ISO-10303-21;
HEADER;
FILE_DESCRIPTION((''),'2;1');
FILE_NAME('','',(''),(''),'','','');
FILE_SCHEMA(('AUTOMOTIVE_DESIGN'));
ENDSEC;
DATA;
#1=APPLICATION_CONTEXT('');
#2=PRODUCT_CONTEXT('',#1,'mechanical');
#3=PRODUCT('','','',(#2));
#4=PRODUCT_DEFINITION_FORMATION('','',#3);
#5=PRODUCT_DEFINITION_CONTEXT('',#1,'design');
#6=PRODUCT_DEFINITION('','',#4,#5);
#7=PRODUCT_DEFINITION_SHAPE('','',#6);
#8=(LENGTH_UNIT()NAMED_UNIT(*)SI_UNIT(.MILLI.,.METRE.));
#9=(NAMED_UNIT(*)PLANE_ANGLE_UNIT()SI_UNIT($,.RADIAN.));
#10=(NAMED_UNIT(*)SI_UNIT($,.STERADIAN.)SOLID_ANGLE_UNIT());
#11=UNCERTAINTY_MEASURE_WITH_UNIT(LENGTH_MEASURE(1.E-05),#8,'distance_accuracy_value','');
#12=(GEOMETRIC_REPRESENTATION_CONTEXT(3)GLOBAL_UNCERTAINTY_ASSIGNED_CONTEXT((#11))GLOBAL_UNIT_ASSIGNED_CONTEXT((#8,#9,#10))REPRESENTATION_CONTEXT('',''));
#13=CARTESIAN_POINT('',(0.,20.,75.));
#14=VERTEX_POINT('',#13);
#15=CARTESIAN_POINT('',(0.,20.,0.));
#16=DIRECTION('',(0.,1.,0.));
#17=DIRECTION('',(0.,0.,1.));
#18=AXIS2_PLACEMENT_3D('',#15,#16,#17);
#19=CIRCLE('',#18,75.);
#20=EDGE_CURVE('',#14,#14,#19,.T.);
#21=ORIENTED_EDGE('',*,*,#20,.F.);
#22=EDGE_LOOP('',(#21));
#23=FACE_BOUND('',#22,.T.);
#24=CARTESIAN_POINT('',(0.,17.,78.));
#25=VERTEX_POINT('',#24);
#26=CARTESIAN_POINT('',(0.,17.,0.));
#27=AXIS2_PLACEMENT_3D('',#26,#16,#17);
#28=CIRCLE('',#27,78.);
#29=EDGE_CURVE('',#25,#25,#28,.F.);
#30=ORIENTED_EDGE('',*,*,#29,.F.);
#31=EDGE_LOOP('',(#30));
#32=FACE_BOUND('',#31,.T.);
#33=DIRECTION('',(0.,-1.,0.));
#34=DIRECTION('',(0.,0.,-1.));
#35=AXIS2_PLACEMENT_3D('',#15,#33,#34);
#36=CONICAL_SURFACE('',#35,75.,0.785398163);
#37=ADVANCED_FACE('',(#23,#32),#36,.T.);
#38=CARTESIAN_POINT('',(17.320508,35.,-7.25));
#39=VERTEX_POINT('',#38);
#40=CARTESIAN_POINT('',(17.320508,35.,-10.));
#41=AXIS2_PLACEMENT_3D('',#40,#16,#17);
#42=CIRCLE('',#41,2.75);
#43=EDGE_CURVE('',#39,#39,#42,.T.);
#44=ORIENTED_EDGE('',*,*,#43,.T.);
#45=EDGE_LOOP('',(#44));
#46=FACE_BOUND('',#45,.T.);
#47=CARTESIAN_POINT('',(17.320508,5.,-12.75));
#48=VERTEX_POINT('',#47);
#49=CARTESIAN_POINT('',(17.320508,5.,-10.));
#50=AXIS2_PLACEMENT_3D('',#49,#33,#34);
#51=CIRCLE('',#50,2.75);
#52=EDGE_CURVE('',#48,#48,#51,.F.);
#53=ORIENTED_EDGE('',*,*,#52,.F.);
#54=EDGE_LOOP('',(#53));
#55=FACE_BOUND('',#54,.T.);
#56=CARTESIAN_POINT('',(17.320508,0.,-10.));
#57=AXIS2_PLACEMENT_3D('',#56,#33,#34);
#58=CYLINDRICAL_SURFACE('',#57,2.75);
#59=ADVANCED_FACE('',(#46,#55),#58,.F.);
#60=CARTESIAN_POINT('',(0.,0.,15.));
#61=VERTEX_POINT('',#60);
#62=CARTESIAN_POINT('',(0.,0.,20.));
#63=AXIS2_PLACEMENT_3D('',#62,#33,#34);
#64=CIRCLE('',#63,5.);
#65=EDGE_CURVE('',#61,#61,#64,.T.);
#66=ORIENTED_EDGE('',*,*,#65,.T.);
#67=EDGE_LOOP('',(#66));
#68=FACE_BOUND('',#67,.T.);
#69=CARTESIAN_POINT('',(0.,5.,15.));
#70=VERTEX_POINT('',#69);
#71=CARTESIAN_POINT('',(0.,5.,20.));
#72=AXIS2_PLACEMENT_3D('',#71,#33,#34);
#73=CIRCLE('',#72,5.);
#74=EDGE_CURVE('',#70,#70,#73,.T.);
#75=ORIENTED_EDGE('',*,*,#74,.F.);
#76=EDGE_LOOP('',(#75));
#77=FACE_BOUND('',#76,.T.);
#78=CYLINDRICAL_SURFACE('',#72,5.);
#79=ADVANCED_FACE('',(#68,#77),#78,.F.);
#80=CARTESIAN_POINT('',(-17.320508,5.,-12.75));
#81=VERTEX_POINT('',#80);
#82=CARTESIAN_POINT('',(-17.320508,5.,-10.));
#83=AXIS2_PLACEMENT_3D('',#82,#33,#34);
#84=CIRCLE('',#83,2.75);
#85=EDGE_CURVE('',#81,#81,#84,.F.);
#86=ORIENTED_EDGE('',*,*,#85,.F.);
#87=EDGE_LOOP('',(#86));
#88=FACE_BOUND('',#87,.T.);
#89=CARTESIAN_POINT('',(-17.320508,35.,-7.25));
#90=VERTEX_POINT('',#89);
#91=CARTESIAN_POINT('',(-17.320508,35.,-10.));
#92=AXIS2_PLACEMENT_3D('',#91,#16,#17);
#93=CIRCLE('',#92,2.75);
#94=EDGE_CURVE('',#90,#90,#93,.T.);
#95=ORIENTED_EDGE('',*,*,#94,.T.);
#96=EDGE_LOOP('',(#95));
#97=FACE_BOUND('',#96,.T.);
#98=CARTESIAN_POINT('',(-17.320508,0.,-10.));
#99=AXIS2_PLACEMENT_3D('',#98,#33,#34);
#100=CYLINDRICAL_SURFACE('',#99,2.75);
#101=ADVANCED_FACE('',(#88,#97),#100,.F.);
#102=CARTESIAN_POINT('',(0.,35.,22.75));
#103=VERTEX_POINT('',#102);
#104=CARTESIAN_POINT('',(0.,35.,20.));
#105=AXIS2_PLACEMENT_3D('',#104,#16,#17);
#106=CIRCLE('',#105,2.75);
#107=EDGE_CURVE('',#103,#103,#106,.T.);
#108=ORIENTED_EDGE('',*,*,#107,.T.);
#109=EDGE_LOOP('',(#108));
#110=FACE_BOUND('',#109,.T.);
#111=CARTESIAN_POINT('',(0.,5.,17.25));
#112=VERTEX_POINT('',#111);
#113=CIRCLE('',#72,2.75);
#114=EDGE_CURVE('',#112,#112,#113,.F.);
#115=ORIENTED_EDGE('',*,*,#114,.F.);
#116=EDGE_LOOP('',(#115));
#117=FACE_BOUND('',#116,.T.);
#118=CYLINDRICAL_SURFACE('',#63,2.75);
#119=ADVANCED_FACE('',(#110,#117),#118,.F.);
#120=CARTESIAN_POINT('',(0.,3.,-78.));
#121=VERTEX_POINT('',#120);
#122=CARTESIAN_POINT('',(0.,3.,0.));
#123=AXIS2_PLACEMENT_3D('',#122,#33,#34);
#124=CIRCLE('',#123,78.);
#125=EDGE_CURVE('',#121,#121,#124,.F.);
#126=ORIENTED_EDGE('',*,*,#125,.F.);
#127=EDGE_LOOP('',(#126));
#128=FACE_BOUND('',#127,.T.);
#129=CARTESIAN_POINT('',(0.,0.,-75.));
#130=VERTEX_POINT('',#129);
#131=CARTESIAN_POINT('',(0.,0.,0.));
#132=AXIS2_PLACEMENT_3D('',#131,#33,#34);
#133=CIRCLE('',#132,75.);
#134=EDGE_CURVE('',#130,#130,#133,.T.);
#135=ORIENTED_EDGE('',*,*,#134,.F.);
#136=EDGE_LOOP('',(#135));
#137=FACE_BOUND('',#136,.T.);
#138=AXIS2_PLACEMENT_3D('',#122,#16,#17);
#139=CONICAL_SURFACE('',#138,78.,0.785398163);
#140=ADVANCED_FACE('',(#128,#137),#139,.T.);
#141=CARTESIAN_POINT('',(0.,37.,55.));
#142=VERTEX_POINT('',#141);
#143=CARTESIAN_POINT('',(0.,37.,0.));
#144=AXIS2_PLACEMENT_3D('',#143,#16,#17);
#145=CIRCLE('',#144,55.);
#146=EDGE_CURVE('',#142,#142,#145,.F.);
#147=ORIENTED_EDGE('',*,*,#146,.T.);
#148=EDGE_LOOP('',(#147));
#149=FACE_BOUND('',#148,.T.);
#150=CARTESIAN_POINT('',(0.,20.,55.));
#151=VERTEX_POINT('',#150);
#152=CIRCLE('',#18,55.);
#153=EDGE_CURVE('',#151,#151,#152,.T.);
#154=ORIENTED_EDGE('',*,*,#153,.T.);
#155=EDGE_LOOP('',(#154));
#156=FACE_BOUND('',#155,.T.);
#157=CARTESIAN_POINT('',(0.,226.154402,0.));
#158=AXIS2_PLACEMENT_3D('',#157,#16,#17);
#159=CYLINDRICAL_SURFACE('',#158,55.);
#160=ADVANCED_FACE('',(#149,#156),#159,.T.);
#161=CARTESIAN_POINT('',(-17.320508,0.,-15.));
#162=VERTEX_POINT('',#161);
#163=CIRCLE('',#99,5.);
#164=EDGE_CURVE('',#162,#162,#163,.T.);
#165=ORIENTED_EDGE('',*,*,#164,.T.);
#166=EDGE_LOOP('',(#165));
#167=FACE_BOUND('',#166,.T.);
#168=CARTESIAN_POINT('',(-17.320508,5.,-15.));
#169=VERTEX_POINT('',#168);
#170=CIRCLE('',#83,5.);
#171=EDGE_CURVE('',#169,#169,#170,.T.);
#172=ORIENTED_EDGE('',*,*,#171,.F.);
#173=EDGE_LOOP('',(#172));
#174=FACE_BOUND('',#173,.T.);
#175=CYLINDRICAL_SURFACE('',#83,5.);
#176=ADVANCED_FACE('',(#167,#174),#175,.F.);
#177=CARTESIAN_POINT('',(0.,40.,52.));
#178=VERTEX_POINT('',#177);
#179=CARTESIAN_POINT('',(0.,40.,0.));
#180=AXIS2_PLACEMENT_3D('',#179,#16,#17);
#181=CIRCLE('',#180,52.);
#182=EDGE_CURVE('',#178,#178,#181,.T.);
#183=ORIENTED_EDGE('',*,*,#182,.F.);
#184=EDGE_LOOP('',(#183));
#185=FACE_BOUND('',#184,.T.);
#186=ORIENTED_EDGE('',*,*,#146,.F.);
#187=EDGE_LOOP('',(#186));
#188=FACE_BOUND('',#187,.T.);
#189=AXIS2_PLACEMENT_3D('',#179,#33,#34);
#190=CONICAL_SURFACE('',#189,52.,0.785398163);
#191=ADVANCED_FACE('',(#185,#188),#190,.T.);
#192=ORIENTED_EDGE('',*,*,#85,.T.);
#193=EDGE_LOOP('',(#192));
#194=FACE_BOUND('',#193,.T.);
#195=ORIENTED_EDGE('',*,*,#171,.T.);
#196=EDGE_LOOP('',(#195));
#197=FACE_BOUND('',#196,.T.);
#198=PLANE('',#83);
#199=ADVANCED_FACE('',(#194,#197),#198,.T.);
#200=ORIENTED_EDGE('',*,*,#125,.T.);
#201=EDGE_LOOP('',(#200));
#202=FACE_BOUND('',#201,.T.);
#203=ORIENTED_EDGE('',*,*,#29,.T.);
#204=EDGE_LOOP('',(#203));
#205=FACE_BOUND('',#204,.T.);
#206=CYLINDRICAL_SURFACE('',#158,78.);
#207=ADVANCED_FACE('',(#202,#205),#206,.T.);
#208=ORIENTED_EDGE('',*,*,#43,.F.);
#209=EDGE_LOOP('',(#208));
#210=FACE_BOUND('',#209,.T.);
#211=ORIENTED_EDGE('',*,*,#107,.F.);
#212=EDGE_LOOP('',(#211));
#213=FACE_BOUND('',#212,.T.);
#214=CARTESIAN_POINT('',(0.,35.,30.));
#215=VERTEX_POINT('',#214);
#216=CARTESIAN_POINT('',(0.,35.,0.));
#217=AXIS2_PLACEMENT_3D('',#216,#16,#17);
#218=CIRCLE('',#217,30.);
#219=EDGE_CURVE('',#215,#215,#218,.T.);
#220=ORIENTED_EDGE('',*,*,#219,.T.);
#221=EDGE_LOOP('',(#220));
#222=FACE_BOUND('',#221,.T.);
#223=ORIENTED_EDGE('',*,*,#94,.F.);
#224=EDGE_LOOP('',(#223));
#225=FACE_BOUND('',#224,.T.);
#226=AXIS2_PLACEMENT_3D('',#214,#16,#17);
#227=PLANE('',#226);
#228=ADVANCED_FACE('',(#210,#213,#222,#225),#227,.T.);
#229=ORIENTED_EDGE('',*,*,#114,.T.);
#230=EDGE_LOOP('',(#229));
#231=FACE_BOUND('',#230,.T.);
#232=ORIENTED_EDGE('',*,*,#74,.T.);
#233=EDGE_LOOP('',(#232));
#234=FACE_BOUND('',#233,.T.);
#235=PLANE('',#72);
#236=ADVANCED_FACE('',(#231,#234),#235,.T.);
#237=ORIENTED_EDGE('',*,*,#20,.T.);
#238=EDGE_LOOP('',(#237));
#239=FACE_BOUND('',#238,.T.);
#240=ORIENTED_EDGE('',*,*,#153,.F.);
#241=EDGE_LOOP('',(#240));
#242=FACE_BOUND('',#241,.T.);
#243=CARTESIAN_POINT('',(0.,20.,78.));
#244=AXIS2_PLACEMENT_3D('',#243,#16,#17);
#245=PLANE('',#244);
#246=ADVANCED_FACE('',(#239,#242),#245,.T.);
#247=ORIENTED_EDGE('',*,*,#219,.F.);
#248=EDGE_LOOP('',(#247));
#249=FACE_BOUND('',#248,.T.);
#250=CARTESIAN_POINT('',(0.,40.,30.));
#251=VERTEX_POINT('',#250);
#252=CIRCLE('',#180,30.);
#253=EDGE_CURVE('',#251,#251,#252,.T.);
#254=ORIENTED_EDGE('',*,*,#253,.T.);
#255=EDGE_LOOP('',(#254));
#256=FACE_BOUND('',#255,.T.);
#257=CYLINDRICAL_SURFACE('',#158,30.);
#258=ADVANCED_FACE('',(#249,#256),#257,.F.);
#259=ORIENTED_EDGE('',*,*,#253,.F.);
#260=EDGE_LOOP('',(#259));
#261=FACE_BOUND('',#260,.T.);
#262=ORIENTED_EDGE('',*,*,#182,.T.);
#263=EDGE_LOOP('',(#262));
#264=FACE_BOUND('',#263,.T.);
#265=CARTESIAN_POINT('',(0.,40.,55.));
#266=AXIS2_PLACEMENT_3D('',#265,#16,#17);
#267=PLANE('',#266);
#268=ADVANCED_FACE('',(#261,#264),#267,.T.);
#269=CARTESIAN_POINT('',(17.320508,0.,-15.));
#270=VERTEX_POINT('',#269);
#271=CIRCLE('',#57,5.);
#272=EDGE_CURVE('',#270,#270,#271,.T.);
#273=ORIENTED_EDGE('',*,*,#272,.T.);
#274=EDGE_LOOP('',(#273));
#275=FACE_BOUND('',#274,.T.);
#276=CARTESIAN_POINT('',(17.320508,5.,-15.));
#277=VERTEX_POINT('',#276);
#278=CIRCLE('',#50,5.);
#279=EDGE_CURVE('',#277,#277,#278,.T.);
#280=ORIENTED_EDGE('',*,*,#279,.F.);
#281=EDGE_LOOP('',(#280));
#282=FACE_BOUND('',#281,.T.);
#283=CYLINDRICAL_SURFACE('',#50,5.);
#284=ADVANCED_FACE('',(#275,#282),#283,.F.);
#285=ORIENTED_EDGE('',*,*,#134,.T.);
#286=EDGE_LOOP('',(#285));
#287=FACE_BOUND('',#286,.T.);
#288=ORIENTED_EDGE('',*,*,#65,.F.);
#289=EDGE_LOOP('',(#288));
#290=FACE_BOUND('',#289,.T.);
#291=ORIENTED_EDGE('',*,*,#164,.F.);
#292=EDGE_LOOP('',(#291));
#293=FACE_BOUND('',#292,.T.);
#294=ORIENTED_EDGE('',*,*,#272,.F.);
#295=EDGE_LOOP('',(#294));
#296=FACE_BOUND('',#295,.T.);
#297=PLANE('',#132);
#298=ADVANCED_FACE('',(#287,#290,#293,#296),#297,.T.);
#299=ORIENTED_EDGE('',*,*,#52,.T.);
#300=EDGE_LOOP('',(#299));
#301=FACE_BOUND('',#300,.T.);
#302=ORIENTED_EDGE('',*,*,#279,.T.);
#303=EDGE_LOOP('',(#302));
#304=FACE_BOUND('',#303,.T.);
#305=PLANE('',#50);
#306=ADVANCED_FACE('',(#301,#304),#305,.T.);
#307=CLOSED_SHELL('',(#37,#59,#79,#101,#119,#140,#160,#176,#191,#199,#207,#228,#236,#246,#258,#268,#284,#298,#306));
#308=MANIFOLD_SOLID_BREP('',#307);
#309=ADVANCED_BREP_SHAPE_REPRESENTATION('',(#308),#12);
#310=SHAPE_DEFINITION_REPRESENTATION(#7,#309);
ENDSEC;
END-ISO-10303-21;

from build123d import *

# Parameters (mm, degrees)
M6X0_5_TAPPED_HOLE1_D = 5.5
CIRPATTERN1_COUNT     = 3
CHAMFER1_SIZE         = 3
SKETCH7_R             = 5
CUT_EXTRUDE1_DEPTH    = 5


with BuildPart() as part:
    # Sketch1 → Revolve1 (revolve)
    with BuildSketch(Plane(origin=(0, 0, 0), x_dir=(0, 0, -1), z_dir=(1, 0, 0))):
        Polygon((0, 0), (-78, 0), (-78, 20), (-55, 20), (-55, 40), (-30, 40), (-30, 35), (0, 35), align=None)
    revolve(axis=Axis((0, 226.154402008, 0), (0, -1, 0)))

    # M6x0.5 Tapped Hole1 (through all)
    with Locations(Plane(origin=(0, 0, 20), x_dir=(0, 0, -1), z_dir=(0, -1, 0))):
        with Locations((0, 0)):
            m6x0_5_tapped_hole1 = Hole(M6X0_5_TAPPED_HOLE1_D / 2)

    # CirPattern1: M6x0.5 Tapped Hole1 ×3 about axis
    cirpattern1_axis = Axis((0, 0, 0), (0, 1, 0))
    for i in range(1, CIRPATTERN1_COUNT):
        add(m6x0_5_tapped_hole1.rotate(cirpattern1_axis, i * 360 / CIRPATTERN1_COUNT), mode=Mode.SUBTRACT)

    # Chamfer1
    chamfer1_edges = [part.edges().sort_by_distance(p)[0] for p in [
        (0, 40, -55),
        (0, 20, -78),
        (0, 0, -78),
    ]]
    chamfer(chamfer1_edges, length=CHAMFER1_SIZE)

    # Sketch7 → Cut-Extrude1 (cut)
    with BuildSketch(Plane.XZ):
        with Locations(Location((0, 20, 0), (0, 0, 270))):
            Circle(SKETCH7_R)
        with Locations(Location((17.320508076, -10, 0), (0, 0, 270))):
            Circle(SKETCH7_R)
        with Locations(Location((-17.320508076, -10, 0), (0, 0, 270))):
            Circle(SKETCH7_R)
    extrude(amount=-CUT_EXTRUDE1_DEPTH, mode=Mode.SUBTRACT)


solid = part.part
